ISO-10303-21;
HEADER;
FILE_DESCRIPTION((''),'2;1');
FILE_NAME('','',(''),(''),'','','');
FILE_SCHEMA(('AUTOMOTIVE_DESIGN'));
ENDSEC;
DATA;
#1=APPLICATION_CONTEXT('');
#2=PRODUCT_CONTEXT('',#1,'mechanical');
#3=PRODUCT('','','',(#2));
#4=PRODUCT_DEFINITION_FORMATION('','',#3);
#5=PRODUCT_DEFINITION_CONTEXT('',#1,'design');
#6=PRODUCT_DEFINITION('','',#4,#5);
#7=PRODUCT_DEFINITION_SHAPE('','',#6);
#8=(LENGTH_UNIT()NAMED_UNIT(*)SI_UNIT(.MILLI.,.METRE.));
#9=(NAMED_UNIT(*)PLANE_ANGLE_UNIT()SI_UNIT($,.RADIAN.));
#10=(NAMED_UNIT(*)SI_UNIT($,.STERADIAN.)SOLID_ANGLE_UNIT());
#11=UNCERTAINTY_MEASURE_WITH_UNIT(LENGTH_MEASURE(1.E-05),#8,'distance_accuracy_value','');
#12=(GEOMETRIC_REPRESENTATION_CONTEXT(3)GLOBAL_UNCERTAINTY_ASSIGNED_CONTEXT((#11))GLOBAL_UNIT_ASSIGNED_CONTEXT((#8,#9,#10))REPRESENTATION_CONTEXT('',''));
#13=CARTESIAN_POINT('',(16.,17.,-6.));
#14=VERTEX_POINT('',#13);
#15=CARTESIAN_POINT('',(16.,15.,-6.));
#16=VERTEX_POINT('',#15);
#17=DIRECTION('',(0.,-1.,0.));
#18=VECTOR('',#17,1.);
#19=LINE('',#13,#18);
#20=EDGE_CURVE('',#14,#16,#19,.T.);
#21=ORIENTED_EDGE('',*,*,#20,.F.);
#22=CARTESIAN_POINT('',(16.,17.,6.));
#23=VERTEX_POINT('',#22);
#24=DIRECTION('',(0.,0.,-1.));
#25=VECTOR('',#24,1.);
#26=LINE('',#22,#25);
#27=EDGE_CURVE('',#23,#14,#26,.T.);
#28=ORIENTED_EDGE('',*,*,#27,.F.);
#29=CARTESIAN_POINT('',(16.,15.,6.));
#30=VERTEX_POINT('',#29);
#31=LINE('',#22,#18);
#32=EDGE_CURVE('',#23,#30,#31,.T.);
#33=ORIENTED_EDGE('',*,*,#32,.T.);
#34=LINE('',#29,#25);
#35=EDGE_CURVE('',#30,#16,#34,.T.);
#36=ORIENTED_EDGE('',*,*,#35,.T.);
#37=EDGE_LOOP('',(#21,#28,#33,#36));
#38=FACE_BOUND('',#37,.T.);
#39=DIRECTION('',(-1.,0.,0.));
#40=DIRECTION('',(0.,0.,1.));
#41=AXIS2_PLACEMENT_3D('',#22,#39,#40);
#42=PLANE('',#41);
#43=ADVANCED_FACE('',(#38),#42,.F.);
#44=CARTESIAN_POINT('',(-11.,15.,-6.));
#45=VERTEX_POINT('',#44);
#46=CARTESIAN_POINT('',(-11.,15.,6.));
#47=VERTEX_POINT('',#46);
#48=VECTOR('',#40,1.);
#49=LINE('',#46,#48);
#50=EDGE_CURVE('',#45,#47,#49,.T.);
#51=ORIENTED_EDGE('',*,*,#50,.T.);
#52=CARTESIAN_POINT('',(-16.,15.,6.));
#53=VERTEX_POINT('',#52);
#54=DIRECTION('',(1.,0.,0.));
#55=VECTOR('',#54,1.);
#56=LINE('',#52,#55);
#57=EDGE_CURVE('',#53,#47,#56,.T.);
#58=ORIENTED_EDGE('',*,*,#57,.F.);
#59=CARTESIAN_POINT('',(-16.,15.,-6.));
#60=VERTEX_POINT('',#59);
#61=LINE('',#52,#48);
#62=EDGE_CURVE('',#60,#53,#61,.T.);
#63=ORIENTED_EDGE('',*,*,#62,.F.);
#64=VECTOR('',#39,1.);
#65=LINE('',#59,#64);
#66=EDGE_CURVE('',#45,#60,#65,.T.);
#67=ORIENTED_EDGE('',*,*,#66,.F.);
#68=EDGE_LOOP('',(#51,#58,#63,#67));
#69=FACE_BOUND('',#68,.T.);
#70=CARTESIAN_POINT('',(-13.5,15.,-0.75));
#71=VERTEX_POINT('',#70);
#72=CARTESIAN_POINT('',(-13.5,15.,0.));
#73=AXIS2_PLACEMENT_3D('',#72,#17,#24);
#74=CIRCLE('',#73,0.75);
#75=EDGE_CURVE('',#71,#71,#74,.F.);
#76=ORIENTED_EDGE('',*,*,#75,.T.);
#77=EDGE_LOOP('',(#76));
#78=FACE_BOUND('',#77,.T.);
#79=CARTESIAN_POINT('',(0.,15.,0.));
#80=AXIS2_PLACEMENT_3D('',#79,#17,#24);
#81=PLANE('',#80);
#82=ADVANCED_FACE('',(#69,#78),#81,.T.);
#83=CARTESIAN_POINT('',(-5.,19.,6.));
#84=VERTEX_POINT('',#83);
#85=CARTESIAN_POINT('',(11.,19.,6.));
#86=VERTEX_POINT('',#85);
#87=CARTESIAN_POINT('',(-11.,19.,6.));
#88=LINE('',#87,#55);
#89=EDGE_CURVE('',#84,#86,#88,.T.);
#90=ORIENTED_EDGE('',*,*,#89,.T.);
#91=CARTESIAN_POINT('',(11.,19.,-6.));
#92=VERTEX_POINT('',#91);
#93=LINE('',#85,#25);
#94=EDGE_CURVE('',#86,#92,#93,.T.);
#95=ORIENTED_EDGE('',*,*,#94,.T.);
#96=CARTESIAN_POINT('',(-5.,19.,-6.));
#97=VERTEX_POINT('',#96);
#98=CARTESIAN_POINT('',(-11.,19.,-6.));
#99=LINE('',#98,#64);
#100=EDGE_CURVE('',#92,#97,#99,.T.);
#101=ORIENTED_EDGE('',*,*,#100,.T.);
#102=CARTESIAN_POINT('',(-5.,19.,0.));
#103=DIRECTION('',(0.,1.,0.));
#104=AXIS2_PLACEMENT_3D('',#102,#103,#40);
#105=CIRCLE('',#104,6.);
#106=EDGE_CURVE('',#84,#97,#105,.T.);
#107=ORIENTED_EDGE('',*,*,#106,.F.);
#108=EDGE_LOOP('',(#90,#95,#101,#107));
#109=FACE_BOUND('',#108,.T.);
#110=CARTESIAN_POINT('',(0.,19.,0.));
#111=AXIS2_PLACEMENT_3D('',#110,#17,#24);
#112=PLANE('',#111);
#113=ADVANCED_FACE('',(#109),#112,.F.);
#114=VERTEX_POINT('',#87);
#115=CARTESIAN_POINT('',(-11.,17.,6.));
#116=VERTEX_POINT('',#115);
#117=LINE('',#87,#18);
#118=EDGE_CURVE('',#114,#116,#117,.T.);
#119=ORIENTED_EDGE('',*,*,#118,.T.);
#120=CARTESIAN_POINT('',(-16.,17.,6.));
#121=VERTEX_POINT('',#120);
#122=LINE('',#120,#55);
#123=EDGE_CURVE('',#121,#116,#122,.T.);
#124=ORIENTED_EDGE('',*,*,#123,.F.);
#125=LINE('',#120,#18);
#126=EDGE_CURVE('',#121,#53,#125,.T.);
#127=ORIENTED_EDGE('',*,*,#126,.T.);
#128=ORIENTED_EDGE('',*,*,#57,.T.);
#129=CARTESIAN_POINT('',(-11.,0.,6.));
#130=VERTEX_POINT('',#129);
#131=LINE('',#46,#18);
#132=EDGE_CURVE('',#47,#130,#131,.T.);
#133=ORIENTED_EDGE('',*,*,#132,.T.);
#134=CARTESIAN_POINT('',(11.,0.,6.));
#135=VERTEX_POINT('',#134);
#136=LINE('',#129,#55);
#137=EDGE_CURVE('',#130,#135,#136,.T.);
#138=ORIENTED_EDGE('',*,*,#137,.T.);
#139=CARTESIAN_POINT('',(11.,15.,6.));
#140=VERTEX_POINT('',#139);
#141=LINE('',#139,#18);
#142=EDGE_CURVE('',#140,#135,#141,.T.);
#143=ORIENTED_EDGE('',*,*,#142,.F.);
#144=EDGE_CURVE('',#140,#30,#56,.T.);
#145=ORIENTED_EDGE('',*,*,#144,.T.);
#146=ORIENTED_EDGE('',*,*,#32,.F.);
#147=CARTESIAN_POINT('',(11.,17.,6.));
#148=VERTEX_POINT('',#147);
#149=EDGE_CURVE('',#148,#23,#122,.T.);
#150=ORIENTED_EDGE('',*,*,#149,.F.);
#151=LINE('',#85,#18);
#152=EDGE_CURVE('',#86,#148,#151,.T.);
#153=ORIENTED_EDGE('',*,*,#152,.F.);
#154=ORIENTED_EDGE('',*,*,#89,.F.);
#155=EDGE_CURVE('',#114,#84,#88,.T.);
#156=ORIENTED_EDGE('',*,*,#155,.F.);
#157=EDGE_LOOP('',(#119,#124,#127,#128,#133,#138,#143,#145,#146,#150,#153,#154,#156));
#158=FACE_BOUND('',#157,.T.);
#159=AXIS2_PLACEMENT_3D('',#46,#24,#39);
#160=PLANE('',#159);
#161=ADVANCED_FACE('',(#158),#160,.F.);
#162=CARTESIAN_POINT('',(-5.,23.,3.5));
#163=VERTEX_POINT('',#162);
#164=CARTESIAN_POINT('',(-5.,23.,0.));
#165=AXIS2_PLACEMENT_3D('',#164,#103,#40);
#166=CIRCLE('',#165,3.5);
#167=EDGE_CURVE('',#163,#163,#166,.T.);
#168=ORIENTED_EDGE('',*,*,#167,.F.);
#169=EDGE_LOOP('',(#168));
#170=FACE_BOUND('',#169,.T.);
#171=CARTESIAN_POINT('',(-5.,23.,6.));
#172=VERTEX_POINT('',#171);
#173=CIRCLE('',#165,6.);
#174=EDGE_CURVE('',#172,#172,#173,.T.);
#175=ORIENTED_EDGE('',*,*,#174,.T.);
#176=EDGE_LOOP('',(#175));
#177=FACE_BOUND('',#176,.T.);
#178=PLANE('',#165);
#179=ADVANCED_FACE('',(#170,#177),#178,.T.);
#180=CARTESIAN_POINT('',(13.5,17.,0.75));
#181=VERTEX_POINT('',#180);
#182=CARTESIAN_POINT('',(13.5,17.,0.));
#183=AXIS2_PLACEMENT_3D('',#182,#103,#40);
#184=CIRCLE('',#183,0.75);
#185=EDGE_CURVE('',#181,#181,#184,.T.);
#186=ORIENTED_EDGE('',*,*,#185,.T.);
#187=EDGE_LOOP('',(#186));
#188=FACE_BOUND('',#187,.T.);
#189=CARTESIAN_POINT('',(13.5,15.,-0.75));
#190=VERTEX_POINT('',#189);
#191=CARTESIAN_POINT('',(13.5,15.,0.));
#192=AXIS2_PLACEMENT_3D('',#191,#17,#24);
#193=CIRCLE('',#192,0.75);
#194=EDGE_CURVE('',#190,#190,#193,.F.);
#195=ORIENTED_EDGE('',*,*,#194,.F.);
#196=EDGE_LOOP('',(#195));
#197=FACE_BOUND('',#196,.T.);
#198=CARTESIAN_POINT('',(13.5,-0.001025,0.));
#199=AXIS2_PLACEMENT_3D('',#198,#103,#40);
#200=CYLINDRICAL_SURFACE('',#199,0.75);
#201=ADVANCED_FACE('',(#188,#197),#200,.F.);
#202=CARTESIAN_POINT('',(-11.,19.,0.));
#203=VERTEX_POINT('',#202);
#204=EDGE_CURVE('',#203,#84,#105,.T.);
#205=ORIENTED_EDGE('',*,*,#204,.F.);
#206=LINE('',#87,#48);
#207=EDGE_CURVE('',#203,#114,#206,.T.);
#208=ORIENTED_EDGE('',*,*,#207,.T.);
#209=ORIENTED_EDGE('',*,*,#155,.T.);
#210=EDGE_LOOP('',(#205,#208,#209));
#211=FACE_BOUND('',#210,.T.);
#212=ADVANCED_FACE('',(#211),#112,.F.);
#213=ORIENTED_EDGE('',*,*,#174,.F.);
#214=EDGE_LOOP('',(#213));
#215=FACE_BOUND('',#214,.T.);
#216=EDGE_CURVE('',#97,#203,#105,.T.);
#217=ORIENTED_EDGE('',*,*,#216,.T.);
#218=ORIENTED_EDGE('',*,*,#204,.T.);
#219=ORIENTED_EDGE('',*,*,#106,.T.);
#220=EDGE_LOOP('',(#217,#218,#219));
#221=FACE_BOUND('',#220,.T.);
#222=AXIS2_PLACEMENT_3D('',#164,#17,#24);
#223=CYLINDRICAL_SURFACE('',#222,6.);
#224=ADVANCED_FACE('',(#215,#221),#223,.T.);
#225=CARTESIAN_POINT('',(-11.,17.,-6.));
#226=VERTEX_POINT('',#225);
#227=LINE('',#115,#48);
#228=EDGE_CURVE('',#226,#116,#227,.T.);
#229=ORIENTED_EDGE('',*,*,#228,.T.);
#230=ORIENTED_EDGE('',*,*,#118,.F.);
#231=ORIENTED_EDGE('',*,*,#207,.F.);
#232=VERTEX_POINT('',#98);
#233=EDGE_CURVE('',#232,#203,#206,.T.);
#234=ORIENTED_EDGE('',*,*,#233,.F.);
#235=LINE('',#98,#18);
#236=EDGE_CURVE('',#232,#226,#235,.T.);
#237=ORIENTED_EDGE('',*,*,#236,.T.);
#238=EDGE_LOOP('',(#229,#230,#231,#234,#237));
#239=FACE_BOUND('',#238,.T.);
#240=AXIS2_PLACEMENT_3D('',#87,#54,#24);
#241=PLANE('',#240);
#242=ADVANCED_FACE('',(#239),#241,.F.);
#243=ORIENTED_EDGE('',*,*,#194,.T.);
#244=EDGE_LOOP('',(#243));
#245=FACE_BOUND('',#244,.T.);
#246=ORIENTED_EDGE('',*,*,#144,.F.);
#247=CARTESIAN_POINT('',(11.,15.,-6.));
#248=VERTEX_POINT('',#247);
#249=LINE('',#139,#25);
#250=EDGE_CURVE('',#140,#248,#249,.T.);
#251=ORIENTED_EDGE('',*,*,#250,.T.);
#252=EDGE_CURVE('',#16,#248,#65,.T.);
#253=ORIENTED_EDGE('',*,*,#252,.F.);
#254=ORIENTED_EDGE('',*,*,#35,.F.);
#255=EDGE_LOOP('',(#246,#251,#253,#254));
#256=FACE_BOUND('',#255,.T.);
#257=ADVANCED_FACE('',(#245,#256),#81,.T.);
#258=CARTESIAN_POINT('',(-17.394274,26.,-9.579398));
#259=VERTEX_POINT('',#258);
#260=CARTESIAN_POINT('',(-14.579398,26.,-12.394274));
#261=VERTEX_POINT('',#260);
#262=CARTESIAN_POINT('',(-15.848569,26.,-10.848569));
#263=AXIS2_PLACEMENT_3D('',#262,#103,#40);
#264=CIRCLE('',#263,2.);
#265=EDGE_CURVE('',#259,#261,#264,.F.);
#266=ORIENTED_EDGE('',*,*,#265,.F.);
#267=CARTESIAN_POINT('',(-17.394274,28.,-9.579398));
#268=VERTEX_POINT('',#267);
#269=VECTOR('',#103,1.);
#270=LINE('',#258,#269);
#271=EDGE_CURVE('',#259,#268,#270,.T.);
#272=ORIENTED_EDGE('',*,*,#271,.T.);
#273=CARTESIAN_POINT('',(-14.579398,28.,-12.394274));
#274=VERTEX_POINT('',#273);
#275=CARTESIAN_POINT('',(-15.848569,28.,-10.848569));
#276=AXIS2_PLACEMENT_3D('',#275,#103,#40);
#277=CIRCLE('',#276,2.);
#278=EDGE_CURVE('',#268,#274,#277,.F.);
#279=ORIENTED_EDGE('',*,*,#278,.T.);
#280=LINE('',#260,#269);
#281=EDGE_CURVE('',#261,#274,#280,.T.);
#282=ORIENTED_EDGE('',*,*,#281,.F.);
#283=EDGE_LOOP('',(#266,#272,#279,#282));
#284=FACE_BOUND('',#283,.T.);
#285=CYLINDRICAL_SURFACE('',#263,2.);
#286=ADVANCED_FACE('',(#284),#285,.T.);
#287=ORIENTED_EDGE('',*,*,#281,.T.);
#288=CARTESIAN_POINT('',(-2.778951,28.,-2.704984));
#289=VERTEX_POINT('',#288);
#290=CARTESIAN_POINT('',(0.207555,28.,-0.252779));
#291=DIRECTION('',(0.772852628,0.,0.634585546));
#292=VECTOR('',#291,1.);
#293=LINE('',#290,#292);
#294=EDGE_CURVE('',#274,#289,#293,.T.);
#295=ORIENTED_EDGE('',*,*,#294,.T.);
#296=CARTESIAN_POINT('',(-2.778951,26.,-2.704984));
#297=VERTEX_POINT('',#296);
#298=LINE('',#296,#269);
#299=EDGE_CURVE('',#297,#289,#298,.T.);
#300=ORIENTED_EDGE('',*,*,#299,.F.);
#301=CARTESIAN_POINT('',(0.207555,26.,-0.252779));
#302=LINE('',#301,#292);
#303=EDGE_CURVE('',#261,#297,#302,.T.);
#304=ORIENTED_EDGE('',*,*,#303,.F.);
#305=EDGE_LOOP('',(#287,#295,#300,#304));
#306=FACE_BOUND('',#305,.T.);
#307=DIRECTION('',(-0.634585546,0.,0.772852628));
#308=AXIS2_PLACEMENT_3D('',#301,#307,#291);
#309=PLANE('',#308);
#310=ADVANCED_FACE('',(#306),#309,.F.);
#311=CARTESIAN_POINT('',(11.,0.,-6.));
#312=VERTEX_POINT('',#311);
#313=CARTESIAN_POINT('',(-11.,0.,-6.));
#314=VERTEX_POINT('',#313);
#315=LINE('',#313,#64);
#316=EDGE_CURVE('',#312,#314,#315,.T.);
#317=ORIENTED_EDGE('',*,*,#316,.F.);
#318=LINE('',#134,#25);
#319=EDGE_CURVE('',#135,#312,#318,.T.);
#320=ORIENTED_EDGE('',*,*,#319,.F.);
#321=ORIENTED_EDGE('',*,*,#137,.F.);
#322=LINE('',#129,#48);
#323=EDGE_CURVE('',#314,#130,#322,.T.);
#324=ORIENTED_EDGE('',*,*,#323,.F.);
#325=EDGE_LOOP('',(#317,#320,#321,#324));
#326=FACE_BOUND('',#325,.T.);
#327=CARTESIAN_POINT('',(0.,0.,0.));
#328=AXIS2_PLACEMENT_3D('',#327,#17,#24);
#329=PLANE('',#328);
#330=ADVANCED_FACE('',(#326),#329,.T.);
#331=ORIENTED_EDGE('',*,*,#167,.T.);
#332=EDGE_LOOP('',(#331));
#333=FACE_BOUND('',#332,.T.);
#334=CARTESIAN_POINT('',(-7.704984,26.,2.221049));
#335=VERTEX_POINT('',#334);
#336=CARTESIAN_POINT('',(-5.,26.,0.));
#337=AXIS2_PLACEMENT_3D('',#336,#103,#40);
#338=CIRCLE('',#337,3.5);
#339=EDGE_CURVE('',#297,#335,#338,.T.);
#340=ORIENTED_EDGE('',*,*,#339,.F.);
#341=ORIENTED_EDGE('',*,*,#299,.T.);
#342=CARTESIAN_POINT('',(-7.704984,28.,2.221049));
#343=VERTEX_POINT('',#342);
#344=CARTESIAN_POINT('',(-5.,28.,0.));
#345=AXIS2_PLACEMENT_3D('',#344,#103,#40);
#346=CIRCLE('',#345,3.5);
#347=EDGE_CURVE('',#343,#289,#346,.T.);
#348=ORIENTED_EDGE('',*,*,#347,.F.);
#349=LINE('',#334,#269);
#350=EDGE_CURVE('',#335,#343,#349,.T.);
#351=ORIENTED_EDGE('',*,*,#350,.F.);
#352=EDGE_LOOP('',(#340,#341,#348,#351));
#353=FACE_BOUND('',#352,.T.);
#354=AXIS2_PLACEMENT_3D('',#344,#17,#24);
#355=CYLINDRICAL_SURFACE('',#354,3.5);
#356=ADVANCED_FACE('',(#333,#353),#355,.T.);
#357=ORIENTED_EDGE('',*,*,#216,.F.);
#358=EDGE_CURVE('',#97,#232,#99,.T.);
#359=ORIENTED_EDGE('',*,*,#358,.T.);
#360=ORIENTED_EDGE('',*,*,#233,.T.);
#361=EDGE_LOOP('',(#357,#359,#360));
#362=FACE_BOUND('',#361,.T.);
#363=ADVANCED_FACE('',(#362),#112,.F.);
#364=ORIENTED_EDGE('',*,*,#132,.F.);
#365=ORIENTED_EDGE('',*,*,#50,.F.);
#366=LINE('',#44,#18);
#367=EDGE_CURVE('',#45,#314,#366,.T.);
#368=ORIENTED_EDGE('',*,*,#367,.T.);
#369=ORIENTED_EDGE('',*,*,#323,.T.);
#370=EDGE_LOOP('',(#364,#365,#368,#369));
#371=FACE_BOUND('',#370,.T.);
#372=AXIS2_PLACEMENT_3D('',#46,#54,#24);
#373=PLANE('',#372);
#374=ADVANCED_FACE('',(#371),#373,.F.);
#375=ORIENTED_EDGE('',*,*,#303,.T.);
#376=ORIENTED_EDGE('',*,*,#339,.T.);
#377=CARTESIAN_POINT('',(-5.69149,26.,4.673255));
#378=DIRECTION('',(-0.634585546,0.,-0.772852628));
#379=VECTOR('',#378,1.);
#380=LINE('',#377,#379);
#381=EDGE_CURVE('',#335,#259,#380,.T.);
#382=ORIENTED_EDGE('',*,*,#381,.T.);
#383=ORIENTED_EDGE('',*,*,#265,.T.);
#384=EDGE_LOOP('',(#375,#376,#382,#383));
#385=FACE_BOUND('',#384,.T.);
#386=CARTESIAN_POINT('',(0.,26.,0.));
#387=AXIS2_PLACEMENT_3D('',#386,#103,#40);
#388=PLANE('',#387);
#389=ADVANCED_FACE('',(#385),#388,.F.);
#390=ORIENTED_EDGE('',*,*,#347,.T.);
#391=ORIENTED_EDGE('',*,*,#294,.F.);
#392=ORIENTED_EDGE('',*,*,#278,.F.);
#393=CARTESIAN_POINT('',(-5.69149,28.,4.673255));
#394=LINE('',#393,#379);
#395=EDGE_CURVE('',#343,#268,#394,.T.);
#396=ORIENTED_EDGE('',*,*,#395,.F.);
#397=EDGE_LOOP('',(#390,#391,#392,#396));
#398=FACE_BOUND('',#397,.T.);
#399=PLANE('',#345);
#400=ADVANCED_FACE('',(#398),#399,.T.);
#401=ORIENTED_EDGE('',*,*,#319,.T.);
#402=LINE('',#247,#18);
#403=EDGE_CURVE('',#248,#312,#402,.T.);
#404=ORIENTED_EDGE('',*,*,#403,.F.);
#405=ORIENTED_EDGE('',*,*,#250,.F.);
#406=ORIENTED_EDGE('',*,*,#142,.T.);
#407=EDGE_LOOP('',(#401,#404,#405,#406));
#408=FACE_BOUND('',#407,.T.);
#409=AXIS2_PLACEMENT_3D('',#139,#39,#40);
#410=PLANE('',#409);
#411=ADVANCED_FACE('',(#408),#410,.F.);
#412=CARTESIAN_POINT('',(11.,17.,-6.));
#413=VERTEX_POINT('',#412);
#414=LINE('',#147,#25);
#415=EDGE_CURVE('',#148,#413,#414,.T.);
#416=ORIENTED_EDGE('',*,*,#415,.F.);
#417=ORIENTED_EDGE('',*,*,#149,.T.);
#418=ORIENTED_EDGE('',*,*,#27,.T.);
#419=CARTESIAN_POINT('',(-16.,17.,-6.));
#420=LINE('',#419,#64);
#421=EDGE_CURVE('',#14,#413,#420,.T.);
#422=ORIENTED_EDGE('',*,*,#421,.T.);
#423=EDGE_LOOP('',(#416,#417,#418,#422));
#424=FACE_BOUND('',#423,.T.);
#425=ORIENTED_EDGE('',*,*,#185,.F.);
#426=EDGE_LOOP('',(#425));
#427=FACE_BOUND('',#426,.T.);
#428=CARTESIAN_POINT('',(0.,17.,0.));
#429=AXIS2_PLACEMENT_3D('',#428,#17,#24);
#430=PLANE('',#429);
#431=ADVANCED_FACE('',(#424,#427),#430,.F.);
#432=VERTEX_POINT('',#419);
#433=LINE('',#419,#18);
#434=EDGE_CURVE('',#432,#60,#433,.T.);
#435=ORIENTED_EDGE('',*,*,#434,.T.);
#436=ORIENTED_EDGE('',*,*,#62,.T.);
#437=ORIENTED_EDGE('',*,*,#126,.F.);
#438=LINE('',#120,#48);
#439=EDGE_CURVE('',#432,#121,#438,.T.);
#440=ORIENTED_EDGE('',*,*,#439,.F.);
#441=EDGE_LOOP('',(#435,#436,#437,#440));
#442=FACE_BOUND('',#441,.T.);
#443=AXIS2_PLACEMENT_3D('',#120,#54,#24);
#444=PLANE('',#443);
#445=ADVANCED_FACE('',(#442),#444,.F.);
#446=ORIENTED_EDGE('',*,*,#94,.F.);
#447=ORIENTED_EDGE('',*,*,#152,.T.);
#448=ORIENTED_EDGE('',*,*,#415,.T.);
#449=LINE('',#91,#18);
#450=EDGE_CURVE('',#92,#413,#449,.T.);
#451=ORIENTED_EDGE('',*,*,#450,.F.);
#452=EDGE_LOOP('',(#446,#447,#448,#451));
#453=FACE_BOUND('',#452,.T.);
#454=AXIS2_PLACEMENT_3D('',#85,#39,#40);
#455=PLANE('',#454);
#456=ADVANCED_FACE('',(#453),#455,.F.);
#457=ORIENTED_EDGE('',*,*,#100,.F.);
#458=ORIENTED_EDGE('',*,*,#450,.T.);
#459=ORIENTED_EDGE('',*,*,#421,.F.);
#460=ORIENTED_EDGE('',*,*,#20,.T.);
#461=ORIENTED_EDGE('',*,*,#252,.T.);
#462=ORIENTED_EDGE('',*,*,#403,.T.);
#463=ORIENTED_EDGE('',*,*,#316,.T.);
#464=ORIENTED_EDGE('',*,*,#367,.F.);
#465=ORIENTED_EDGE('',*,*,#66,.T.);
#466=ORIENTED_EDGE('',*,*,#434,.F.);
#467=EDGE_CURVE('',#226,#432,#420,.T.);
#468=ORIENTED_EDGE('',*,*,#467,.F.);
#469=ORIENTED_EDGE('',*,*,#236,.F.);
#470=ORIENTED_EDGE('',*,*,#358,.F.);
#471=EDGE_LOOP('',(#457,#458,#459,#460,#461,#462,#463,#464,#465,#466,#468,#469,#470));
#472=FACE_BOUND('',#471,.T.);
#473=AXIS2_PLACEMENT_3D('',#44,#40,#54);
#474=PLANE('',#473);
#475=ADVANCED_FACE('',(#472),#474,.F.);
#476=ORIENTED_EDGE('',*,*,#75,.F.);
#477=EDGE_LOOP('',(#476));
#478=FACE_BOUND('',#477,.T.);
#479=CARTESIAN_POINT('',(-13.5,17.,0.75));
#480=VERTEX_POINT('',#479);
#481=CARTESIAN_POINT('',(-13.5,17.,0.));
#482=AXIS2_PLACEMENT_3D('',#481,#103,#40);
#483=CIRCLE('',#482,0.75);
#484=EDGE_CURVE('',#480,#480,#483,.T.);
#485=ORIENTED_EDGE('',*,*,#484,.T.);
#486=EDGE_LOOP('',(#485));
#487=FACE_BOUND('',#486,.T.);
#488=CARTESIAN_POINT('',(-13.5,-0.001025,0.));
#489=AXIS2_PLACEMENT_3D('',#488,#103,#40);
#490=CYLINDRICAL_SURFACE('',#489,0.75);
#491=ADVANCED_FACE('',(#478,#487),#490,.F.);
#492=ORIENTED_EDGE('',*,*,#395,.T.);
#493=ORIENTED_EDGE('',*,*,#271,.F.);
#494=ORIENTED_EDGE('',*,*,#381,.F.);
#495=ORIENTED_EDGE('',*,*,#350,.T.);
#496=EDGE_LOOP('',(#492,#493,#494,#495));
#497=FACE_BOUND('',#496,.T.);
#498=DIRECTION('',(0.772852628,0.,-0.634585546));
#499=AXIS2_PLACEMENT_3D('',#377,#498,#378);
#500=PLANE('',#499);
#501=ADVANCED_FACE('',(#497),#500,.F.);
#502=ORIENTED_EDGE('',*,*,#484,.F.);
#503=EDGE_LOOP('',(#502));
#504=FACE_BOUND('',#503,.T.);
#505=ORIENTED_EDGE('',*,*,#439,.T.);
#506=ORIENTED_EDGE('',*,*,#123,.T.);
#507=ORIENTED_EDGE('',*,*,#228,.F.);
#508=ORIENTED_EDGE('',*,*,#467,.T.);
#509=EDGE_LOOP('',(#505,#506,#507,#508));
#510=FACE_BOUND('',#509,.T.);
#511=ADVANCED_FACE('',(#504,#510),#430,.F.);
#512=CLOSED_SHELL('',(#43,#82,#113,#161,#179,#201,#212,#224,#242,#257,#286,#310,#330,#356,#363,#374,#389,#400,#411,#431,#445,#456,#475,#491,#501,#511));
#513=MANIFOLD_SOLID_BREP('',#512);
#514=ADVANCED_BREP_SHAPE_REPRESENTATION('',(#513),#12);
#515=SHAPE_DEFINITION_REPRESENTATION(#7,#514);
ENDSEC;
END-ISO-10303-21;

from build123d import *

# Parameters (mm, degrees)
SKETCH1_W           = 22
SKETCH1_H           = 12
BOSS_EXTRUDE1_DEPTH = 15
SKETCH2_W           = 32
SKETCH2_H           = 12
BOSS_EXTRUDE2_DEPTH = 2
SKETCH4_W           = 22
SKETCH4_H           = 12
BOSS_EXTRUDE3_DEPTH = 2
SKETCH5_R           = 6
BOSS_EXTRUDE4_DEPTH = 4
SKETCH6_R           = 3.5
BOSS_EXTRUDE5_DEPTH = 5
BOSS_EXTRUDE6_START = -2
BOSS_EXTRUDE6_DEPTH = 2
CUT_EXTRUDE1_REACH  = 29.797
SKETCH8_R           = 0.75


with BuildPart() as part:
    # Sketch1 → Boss-Extrude1 (new body)
    with BuildSketch(Plane(origin=(0, 0, 0), x_dir=(1, 0, 0), z_dir=(0, 1, 0))):
        Rectangle(SKETCH1_W, SKETCH1_H)
    extrude(amount=BOSS_EXTRUDE1_DEPTH)

    # Sketch2 → Boss-Extrude2 (add)
    with BuildSketch(Plane(origin=(0, 15, 0), x_dir=(1, 0, 0), z_dir=(0, 1, 0))):
        Rectangle(SKETCH2_W, SKETCH2_H)
    extrude(amount=BOSS_EXTRUDE2_DEPTH)

    # Sketch4 → Boss-Extrude3 (add)
    with BuildSketch(Plane(origin=(0, 17, 0), x_dir=(1, 0, 0), z_dir=(0, 1, 0))):
        Rectangle(SKETCH4_W, SKETCH4_H)
    extrude(amount=BOSS_EXTRUDE3_DEPTH)

    # Sketch5 → Boss-Extrude4 (add)
    with BuildSketch(Plane(origin=(0, 19, 0), x_dir=(1, 0, 0), z_dir=(0, 1, 0))):
        with Locations(Location((-5, 0, 0), (0, 0, 270))):
            Circle(SKETCH5_R)
    extrude(amount=BOSS_EXTRUDE4_DEPTH)

    # Sketch6 → Boss-Extrude5 (add)
    with BuildSketch(Plane(origin=(0, 23, 0), x_dir=(1, 0, 0), z_dir=(0, 1, 0))):
        with Locations(Location((-5, 0, 0), (0, 0, 270))):
            Circle(SKETCH6_R)
    extrude(amount=BOSS_EXTRUDE5_DEPTH)

    # Sketch7 → Boss-Extrude6 (add)
    with BuildSketch(Plane(origin=(0, 28, 0), x_dir=(1, 0, 0), z_dir=(0, 1, 0)).offset(BOSS_EXTRUDE6_START)):
        with BuildLine():
            Line((-17.394274369, 9.57939802), (-7.704984199, -2.22104941))
            ThreePointArc((-7.704984199, -2.22104941), (-7.474873734, 2.474873734), (-2.77895059, 2.704984199))
            Line((-2.77895059, 2.704984199), (-14.57939802, 12.394274369))
            ThreePointArc((-14.57939802, 12.394274369), (-17.262782674, 12.262782674), (-17.394274369, 9.57939802))
        make_face()
    extrude(amount=BOSS_EXTRUDE6_DEPTH)

    # Sketch8 → Cut-Extrude1 (cut, up to next)
    with BuildSketch(Plane(origin=(0, 17, 0), x_dir=(1, 0, 0), z_dir=(0, 1, 0)), mode=Mode.PRIVATE) as cut_extrude1_sk1:
        with Locations(Location((13.5, 0, 0), (0, 0, 270))):
            Circle(SKETCH8_R)
    cut_extrude1_tool1 = extrude(cut_extrude1_sk1.sketch, amount=-CUT_EXTRUDE1_REACH, mode=Mode.PRIVATE) & part.part
    # Sketch8 → Cut-Extrude1 (cut, up to next)
    with BuildSketch(Plane(origin=(0, 17, 0), x_dir=(1, 0, 0), z_dir=(0, 1, 0)), mode=Mode.PRIVATE) as cut_extrude1_sk2:
        with Locations(Location((-13.5, 0, 0), (0, 0, 270))):
            Circle(SKETCH8_R)
    cut_extrude1_tool2 = extrude(cut_extrude1_sk2.sketch, amount=-CUT_EXTRUDE1_REACH, mode=Mode.PRIVATE) & part.part
    add(cut_extrude1_tool1.solids().sort_by_distance((13.5, 17, 0))[0], mode=Mode.SUBTRACT)
    add(cut_extrude1_tool2.solids().sort_by_distance((-13.5, 17, 0))[0], mode=Mode.SUBTRACT)


solid = part.part
